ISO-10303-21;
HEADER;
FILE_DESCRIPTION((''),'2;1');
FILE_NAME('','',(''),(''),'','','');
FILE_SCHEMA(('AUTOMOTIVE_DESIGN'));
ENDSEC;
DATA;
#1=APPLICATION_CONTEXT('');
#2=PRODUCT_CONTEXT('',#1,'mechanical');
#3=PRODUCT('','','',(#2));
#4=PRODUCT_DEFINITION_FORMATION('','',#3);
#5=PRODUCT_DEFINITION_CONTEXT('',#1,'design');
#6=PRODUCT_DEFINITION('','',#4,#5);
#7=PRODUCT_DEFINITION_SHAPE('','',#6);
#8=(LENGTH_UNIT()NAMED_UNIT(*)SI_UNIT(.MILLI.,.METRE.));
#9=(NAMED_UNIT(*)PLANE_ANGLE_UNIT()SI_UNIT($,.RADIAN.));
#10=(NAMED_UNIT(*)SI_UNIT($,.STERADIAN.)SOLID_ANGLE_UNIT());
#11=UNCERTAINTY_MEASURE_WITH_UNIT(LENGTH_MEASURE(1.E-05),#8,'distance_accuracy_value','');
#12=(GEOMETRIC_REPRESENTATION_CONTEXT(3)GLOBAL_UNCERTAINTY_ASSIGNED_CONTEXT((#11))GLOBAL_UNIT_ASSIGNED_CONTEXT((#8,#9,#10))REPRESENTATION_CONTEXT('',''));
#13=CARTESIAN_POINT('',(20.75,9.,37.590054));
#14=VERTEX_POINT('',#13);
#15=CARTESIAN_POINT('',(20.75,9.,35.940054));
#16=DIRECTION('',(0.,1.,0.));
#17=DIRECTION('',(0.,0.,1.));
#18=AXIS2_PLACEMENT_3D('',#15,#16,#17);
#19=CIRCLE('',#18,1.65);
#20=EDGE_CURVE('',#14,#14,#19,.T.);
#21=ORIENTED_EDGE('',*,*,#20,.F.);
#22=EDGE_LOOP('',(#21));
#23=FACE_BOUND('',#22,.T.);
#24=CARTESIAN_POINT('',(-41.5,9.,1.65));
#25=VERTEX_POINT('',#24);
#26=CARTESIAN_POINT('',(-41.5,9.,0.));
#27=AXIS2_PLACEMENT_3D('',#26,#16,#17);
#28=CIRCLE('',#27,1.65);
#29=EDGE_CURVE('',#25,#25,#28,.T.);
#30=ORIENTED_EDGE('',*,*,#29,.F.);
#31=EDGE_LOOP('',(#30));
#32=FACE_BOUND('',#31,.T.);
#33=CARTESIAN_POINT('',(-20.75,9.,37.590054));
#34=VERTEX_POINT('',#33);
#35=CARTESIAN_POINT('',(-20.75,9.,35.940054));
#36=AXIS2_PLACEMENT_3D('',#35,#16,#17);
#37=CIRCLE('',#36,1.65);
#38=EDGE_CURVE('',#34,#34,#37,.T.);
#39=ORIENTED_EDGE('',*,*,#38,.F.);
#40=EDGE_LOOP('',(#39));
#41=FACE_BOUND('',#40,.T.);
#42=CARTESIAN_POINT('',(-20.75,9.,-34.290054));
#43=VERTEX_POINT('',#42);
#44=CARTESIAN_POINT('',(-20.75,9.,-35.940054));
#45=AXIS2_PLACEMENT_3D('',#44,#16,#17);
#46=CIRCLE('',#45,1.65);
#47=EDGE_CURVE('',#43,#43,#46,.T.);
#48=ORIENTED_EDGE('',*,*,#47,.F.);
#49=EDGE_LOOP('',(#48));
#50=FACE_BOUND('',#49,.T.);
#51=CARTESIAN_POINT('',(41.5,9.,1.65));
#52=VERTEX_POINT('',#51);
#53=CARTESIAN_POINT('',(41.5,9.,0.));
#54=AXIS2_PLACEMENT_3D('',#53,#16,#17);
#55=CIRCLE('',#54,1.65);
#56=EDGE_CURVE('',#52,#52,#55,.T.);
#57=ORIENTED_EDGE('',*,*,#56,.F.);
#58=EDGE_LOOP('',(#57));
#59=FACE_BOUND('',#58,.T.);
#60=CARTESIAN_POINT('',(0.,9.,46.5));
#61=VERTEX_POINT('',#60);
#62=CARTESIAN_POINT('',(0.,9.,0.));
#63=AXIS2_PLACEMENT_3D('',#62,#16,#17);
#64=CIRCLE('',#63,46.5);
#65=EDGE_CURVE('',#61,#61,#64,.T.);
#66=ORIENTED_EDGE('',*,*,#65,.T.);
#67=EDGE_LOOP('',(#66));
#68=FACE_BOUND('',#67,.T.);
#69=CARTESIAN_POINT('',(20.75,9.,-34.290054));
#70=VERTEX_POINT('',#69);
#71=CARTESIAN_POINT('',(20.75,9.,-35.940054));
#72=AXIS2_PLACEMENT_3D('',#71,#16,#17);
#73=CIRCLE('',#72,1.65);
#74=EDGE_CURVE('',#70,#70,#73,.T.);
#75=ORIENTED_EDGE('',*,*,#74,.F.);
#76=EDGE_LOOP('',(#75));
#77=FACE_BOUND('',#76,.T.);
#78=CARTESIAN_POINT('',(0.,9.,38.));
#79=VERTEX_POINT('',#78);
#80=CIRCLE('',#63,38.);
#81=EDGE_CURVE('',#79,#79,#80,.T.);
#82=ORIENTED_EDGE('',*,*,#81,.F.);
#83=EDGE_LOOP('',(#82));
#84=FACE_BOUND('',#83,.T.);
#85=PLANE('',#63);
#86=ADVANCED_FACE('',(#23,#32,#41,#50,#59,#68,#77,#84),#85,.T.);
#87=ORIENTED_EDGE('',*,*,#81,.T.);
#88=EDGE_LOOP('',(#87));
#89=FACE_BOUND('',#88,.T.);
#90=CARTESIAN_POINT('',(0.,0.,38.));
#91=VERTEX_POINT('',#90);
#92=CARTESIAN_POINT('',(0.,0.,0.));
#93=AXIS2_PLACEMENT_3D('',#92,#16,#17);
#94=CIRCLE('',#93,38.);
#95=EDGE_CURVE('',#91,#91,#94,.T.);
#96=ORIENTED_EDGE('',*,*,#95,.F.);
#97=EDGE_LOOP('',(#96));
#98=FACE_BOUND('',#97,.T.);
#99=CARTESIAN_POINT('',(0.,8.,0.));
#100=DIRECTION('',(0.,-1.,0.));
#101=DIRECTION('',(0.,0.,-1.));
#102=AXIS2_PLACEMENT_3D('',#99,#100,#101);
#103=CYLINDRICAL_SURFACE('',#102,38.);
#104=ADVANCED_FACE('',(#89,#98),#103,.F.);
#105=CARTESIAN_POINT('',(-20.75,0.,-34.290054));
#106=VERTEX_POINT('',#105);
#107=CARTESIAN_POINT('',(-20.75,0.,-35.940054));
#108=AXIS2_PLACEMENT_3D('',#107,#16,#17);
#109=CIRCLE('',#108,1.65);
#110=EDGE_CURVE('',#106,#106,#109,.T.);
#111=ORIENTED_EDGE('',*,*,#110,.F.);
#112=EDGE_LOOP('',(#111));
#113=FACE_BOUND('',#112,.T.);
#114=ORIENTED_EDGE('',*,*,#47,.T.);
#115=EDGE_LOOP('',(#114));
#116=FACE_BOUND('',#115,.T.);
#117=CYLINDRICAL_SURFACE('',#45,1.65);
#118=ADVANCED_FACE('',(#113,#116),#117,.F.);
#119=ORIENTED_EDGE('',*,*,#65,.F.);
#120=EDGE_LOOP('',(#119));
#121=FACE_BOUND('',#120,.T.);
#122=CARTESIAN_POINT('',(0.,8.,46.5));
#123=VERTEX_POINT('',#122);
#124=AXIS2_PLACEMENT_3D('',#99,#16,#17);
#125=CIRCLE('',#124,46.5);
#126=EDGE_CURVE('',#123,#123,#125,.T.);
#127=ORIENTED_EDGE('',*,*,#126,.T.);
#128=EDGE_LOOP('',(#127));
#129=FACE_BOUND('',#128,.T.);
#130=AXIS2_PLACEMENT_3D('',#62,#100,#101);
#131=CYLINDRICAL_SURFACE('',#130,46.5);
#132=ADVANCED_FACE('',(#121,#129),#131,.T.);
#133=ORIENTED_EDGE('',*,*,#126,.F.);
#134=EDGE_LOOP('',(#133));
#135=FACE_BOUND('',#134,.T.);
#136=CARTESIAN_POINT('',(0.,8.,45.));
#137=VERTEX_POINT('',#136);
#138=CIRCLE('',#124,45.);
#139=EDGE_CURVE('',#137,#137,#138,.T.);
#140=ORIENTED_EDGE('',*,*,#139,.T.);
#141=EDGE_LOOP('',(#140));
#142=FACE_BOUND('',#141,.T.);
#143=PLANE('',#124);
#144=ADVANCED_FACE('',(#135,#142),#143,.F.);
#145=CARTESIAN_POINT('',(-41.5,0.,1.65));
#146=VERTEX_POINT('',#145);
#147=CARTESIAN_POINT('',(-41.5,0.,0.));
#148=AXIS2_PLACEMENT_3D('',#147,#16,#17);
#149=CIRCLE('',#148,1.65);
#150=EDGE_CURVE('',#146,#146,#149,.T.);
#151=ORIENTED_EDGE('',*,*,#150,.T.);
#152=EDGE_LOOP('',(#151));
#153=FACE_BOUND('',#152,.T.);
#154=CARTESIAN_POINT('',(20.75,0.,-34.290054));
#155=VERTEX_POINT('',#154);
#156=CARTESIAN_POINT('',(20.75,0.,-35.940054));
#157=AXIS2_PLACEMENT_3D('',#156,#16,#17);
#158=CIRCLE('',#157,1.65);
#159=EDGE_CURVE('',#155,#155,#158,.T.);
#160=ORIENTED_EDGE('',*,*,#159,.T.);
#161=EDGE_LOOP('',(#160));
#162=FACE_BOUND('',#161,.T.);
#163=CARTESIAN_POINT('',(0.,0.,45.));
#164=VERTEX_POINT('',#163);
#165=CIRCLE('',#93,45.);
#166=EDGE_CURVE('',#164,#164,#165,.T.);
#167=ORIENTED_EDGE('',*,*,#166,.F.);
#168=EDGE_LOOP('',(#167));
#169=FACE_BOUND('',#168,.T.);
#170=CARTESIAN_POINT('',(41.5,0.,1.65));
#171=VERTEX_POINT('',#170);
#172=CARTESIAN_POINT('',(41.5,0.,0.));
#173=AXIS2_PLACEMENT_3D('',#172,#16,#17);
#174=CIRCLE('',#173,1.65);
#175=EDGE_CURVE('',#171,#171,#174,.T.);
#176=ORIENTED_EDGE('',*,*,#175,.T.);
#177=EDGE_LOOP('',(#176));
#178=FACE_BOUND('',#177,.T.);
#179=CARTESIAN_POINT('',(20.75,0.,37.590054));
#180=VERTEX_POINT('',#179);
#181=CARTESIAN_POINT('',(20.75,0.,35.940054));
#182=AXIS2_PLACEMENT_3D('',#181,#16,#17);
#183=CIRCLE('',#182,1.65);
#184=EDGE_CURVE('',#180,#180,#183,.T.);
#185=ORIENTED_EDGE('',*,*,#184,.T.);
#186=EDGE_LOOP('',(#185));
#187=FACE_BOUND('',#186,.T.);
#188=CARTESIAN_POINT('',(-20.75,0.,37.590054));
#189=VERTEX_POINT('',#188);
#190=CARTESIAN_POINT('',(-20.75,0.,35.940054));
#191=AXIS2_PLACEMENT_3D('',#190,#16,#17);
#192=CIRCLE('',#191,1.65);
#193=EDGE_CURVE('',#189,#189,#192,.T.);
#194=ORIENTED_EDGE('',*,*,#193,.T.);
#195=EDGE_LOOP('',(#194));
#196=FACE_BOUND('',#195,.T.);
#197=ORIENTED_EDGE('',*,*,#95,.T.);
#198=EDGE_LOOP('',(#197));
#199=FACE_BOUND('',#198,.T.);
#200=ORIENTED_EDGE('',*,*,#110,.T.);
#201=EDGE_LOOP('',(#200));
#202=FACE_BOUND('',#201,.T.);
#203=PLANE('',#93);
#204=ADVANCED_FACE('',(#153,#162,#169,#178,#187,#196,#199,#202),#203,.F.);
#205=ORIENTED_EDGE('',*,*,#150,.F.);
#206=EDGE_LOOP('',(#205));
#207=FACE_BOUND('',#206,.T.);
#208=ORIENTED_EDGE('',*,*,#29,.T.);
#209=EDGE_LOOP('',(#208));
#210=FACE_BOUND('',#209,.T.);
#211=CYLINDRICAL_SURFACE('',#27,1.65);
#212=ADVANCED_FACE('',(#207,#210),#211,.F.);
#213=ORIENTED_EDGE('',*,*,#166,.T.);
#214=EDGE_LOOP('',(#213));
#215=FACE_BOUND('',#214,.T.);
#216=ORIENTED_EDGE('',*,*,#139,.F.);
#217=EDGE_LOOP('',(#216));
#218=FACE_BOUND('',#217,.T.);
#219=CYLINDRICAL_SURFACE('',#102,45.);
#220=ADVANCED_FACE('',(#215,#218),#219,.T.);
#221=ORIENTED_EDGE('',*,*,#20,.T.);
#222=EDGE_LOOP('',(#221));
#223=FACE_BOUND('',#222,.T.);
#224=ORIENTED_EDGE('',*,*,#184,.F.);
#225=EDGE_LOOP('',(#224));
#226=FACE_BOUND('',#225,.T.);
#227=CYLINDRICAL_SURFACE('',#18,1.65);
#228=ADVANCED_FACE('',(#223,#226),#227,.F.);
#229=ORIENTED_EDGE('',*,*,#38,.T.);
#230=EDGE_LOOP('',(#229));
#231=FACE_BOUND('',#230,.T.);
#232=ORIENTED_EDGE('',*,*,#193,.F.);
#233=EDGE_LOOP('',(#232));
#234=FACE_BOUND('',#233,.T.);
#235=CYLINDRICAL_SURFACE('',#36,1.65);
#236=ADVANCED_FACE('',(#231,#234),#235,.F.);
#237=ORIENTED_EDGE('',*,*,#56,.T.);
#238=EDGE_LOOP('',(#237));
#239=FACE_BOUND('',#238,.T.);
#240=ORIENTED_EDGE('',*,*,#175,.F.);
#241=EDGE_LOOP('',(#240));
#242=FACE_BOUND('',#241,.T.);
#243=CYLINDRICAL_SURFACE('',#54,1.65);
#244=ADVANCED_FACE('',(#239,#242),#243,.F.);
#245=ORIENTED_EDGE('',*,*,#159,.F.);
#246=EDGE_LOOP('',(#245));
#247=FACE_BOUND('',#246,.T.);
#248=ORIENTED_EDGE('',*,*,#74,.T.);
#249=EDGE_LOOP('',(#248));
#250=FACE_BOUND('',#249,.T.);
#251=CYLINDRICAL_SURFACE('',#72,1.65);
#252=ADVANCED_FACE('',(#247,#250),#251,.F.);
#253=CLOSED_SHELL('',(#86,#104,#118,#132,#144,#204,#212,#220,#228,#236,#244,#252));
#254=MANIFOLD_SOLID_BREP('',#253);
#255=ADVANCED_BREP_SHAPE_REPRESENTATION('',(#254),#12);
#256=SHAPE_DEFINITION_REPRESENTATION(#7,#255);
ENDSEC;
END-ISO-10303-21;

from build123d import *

# Parameters (mm, degrees)
SKETCH_2_R         = 45
SKETCH_2_R_2       = 38
EXTRUDE_1_DEPTH    = 8
SKETCH_6_R         = 46.5
SKETCH_6_R_2       = 38
EXTRUDE_3_DEPTH    = 1
HOLE_WIZARD_M4_1_D = 3.3


with BuildPart() as part:
    # 草图2 → 凸台-拉伸1 (new body)
    with BuildSketch(Plane(origin=(0, 0, 0), x_dir=(1, 0, 0), z_dir=(0, 1, 0))):
        with Locations(Location((0, 0, 0), (0, 0, 270))):
            Circle(SKETCH_2_R)
        with Locations(Location((0, 0, 0), (0, 0, 270))):
            Circle(SKETCH_2_R_2, mode=Mode.SUBTRACT)
    extrude(amount=EXTRUDE_1_DEPTH)

    # 草图6 → 凸台-拉伸3 (add)
    with BuildSketch(Plane(origin=(0, 8, 0), x_dir=(1, 0, 0), z_dir=(0, 1, 0))):
        with Locations(Location((0, 0, 0), (0, 0, 270))):
            Circle(SKETCH_6_R)
        with Locations(Location((0, 0, 0), (0, 0, 270))):
            Circle(SKETCH_6_R_2, mode=Mode.SUBTRACT)
    extrude(amount=EXTRUDE_3_DEPTH)

    # M4 螺纹孔1 (through all)
    with Locations(Plane(origin=(0, 9, 0), x_dir=(1, 0, 0), z_dir=(0, 1, 0))):
        with Locations((-20.75, 35.940054257), (20.75, 35.940054257), (41.5, 0), (20.75, -35.940054257), (-20.75, -35.940054257), (-41.5, 0)):
            Hole(HOLE_WIZARD_M4_1_D / 2)


solid = part.part
